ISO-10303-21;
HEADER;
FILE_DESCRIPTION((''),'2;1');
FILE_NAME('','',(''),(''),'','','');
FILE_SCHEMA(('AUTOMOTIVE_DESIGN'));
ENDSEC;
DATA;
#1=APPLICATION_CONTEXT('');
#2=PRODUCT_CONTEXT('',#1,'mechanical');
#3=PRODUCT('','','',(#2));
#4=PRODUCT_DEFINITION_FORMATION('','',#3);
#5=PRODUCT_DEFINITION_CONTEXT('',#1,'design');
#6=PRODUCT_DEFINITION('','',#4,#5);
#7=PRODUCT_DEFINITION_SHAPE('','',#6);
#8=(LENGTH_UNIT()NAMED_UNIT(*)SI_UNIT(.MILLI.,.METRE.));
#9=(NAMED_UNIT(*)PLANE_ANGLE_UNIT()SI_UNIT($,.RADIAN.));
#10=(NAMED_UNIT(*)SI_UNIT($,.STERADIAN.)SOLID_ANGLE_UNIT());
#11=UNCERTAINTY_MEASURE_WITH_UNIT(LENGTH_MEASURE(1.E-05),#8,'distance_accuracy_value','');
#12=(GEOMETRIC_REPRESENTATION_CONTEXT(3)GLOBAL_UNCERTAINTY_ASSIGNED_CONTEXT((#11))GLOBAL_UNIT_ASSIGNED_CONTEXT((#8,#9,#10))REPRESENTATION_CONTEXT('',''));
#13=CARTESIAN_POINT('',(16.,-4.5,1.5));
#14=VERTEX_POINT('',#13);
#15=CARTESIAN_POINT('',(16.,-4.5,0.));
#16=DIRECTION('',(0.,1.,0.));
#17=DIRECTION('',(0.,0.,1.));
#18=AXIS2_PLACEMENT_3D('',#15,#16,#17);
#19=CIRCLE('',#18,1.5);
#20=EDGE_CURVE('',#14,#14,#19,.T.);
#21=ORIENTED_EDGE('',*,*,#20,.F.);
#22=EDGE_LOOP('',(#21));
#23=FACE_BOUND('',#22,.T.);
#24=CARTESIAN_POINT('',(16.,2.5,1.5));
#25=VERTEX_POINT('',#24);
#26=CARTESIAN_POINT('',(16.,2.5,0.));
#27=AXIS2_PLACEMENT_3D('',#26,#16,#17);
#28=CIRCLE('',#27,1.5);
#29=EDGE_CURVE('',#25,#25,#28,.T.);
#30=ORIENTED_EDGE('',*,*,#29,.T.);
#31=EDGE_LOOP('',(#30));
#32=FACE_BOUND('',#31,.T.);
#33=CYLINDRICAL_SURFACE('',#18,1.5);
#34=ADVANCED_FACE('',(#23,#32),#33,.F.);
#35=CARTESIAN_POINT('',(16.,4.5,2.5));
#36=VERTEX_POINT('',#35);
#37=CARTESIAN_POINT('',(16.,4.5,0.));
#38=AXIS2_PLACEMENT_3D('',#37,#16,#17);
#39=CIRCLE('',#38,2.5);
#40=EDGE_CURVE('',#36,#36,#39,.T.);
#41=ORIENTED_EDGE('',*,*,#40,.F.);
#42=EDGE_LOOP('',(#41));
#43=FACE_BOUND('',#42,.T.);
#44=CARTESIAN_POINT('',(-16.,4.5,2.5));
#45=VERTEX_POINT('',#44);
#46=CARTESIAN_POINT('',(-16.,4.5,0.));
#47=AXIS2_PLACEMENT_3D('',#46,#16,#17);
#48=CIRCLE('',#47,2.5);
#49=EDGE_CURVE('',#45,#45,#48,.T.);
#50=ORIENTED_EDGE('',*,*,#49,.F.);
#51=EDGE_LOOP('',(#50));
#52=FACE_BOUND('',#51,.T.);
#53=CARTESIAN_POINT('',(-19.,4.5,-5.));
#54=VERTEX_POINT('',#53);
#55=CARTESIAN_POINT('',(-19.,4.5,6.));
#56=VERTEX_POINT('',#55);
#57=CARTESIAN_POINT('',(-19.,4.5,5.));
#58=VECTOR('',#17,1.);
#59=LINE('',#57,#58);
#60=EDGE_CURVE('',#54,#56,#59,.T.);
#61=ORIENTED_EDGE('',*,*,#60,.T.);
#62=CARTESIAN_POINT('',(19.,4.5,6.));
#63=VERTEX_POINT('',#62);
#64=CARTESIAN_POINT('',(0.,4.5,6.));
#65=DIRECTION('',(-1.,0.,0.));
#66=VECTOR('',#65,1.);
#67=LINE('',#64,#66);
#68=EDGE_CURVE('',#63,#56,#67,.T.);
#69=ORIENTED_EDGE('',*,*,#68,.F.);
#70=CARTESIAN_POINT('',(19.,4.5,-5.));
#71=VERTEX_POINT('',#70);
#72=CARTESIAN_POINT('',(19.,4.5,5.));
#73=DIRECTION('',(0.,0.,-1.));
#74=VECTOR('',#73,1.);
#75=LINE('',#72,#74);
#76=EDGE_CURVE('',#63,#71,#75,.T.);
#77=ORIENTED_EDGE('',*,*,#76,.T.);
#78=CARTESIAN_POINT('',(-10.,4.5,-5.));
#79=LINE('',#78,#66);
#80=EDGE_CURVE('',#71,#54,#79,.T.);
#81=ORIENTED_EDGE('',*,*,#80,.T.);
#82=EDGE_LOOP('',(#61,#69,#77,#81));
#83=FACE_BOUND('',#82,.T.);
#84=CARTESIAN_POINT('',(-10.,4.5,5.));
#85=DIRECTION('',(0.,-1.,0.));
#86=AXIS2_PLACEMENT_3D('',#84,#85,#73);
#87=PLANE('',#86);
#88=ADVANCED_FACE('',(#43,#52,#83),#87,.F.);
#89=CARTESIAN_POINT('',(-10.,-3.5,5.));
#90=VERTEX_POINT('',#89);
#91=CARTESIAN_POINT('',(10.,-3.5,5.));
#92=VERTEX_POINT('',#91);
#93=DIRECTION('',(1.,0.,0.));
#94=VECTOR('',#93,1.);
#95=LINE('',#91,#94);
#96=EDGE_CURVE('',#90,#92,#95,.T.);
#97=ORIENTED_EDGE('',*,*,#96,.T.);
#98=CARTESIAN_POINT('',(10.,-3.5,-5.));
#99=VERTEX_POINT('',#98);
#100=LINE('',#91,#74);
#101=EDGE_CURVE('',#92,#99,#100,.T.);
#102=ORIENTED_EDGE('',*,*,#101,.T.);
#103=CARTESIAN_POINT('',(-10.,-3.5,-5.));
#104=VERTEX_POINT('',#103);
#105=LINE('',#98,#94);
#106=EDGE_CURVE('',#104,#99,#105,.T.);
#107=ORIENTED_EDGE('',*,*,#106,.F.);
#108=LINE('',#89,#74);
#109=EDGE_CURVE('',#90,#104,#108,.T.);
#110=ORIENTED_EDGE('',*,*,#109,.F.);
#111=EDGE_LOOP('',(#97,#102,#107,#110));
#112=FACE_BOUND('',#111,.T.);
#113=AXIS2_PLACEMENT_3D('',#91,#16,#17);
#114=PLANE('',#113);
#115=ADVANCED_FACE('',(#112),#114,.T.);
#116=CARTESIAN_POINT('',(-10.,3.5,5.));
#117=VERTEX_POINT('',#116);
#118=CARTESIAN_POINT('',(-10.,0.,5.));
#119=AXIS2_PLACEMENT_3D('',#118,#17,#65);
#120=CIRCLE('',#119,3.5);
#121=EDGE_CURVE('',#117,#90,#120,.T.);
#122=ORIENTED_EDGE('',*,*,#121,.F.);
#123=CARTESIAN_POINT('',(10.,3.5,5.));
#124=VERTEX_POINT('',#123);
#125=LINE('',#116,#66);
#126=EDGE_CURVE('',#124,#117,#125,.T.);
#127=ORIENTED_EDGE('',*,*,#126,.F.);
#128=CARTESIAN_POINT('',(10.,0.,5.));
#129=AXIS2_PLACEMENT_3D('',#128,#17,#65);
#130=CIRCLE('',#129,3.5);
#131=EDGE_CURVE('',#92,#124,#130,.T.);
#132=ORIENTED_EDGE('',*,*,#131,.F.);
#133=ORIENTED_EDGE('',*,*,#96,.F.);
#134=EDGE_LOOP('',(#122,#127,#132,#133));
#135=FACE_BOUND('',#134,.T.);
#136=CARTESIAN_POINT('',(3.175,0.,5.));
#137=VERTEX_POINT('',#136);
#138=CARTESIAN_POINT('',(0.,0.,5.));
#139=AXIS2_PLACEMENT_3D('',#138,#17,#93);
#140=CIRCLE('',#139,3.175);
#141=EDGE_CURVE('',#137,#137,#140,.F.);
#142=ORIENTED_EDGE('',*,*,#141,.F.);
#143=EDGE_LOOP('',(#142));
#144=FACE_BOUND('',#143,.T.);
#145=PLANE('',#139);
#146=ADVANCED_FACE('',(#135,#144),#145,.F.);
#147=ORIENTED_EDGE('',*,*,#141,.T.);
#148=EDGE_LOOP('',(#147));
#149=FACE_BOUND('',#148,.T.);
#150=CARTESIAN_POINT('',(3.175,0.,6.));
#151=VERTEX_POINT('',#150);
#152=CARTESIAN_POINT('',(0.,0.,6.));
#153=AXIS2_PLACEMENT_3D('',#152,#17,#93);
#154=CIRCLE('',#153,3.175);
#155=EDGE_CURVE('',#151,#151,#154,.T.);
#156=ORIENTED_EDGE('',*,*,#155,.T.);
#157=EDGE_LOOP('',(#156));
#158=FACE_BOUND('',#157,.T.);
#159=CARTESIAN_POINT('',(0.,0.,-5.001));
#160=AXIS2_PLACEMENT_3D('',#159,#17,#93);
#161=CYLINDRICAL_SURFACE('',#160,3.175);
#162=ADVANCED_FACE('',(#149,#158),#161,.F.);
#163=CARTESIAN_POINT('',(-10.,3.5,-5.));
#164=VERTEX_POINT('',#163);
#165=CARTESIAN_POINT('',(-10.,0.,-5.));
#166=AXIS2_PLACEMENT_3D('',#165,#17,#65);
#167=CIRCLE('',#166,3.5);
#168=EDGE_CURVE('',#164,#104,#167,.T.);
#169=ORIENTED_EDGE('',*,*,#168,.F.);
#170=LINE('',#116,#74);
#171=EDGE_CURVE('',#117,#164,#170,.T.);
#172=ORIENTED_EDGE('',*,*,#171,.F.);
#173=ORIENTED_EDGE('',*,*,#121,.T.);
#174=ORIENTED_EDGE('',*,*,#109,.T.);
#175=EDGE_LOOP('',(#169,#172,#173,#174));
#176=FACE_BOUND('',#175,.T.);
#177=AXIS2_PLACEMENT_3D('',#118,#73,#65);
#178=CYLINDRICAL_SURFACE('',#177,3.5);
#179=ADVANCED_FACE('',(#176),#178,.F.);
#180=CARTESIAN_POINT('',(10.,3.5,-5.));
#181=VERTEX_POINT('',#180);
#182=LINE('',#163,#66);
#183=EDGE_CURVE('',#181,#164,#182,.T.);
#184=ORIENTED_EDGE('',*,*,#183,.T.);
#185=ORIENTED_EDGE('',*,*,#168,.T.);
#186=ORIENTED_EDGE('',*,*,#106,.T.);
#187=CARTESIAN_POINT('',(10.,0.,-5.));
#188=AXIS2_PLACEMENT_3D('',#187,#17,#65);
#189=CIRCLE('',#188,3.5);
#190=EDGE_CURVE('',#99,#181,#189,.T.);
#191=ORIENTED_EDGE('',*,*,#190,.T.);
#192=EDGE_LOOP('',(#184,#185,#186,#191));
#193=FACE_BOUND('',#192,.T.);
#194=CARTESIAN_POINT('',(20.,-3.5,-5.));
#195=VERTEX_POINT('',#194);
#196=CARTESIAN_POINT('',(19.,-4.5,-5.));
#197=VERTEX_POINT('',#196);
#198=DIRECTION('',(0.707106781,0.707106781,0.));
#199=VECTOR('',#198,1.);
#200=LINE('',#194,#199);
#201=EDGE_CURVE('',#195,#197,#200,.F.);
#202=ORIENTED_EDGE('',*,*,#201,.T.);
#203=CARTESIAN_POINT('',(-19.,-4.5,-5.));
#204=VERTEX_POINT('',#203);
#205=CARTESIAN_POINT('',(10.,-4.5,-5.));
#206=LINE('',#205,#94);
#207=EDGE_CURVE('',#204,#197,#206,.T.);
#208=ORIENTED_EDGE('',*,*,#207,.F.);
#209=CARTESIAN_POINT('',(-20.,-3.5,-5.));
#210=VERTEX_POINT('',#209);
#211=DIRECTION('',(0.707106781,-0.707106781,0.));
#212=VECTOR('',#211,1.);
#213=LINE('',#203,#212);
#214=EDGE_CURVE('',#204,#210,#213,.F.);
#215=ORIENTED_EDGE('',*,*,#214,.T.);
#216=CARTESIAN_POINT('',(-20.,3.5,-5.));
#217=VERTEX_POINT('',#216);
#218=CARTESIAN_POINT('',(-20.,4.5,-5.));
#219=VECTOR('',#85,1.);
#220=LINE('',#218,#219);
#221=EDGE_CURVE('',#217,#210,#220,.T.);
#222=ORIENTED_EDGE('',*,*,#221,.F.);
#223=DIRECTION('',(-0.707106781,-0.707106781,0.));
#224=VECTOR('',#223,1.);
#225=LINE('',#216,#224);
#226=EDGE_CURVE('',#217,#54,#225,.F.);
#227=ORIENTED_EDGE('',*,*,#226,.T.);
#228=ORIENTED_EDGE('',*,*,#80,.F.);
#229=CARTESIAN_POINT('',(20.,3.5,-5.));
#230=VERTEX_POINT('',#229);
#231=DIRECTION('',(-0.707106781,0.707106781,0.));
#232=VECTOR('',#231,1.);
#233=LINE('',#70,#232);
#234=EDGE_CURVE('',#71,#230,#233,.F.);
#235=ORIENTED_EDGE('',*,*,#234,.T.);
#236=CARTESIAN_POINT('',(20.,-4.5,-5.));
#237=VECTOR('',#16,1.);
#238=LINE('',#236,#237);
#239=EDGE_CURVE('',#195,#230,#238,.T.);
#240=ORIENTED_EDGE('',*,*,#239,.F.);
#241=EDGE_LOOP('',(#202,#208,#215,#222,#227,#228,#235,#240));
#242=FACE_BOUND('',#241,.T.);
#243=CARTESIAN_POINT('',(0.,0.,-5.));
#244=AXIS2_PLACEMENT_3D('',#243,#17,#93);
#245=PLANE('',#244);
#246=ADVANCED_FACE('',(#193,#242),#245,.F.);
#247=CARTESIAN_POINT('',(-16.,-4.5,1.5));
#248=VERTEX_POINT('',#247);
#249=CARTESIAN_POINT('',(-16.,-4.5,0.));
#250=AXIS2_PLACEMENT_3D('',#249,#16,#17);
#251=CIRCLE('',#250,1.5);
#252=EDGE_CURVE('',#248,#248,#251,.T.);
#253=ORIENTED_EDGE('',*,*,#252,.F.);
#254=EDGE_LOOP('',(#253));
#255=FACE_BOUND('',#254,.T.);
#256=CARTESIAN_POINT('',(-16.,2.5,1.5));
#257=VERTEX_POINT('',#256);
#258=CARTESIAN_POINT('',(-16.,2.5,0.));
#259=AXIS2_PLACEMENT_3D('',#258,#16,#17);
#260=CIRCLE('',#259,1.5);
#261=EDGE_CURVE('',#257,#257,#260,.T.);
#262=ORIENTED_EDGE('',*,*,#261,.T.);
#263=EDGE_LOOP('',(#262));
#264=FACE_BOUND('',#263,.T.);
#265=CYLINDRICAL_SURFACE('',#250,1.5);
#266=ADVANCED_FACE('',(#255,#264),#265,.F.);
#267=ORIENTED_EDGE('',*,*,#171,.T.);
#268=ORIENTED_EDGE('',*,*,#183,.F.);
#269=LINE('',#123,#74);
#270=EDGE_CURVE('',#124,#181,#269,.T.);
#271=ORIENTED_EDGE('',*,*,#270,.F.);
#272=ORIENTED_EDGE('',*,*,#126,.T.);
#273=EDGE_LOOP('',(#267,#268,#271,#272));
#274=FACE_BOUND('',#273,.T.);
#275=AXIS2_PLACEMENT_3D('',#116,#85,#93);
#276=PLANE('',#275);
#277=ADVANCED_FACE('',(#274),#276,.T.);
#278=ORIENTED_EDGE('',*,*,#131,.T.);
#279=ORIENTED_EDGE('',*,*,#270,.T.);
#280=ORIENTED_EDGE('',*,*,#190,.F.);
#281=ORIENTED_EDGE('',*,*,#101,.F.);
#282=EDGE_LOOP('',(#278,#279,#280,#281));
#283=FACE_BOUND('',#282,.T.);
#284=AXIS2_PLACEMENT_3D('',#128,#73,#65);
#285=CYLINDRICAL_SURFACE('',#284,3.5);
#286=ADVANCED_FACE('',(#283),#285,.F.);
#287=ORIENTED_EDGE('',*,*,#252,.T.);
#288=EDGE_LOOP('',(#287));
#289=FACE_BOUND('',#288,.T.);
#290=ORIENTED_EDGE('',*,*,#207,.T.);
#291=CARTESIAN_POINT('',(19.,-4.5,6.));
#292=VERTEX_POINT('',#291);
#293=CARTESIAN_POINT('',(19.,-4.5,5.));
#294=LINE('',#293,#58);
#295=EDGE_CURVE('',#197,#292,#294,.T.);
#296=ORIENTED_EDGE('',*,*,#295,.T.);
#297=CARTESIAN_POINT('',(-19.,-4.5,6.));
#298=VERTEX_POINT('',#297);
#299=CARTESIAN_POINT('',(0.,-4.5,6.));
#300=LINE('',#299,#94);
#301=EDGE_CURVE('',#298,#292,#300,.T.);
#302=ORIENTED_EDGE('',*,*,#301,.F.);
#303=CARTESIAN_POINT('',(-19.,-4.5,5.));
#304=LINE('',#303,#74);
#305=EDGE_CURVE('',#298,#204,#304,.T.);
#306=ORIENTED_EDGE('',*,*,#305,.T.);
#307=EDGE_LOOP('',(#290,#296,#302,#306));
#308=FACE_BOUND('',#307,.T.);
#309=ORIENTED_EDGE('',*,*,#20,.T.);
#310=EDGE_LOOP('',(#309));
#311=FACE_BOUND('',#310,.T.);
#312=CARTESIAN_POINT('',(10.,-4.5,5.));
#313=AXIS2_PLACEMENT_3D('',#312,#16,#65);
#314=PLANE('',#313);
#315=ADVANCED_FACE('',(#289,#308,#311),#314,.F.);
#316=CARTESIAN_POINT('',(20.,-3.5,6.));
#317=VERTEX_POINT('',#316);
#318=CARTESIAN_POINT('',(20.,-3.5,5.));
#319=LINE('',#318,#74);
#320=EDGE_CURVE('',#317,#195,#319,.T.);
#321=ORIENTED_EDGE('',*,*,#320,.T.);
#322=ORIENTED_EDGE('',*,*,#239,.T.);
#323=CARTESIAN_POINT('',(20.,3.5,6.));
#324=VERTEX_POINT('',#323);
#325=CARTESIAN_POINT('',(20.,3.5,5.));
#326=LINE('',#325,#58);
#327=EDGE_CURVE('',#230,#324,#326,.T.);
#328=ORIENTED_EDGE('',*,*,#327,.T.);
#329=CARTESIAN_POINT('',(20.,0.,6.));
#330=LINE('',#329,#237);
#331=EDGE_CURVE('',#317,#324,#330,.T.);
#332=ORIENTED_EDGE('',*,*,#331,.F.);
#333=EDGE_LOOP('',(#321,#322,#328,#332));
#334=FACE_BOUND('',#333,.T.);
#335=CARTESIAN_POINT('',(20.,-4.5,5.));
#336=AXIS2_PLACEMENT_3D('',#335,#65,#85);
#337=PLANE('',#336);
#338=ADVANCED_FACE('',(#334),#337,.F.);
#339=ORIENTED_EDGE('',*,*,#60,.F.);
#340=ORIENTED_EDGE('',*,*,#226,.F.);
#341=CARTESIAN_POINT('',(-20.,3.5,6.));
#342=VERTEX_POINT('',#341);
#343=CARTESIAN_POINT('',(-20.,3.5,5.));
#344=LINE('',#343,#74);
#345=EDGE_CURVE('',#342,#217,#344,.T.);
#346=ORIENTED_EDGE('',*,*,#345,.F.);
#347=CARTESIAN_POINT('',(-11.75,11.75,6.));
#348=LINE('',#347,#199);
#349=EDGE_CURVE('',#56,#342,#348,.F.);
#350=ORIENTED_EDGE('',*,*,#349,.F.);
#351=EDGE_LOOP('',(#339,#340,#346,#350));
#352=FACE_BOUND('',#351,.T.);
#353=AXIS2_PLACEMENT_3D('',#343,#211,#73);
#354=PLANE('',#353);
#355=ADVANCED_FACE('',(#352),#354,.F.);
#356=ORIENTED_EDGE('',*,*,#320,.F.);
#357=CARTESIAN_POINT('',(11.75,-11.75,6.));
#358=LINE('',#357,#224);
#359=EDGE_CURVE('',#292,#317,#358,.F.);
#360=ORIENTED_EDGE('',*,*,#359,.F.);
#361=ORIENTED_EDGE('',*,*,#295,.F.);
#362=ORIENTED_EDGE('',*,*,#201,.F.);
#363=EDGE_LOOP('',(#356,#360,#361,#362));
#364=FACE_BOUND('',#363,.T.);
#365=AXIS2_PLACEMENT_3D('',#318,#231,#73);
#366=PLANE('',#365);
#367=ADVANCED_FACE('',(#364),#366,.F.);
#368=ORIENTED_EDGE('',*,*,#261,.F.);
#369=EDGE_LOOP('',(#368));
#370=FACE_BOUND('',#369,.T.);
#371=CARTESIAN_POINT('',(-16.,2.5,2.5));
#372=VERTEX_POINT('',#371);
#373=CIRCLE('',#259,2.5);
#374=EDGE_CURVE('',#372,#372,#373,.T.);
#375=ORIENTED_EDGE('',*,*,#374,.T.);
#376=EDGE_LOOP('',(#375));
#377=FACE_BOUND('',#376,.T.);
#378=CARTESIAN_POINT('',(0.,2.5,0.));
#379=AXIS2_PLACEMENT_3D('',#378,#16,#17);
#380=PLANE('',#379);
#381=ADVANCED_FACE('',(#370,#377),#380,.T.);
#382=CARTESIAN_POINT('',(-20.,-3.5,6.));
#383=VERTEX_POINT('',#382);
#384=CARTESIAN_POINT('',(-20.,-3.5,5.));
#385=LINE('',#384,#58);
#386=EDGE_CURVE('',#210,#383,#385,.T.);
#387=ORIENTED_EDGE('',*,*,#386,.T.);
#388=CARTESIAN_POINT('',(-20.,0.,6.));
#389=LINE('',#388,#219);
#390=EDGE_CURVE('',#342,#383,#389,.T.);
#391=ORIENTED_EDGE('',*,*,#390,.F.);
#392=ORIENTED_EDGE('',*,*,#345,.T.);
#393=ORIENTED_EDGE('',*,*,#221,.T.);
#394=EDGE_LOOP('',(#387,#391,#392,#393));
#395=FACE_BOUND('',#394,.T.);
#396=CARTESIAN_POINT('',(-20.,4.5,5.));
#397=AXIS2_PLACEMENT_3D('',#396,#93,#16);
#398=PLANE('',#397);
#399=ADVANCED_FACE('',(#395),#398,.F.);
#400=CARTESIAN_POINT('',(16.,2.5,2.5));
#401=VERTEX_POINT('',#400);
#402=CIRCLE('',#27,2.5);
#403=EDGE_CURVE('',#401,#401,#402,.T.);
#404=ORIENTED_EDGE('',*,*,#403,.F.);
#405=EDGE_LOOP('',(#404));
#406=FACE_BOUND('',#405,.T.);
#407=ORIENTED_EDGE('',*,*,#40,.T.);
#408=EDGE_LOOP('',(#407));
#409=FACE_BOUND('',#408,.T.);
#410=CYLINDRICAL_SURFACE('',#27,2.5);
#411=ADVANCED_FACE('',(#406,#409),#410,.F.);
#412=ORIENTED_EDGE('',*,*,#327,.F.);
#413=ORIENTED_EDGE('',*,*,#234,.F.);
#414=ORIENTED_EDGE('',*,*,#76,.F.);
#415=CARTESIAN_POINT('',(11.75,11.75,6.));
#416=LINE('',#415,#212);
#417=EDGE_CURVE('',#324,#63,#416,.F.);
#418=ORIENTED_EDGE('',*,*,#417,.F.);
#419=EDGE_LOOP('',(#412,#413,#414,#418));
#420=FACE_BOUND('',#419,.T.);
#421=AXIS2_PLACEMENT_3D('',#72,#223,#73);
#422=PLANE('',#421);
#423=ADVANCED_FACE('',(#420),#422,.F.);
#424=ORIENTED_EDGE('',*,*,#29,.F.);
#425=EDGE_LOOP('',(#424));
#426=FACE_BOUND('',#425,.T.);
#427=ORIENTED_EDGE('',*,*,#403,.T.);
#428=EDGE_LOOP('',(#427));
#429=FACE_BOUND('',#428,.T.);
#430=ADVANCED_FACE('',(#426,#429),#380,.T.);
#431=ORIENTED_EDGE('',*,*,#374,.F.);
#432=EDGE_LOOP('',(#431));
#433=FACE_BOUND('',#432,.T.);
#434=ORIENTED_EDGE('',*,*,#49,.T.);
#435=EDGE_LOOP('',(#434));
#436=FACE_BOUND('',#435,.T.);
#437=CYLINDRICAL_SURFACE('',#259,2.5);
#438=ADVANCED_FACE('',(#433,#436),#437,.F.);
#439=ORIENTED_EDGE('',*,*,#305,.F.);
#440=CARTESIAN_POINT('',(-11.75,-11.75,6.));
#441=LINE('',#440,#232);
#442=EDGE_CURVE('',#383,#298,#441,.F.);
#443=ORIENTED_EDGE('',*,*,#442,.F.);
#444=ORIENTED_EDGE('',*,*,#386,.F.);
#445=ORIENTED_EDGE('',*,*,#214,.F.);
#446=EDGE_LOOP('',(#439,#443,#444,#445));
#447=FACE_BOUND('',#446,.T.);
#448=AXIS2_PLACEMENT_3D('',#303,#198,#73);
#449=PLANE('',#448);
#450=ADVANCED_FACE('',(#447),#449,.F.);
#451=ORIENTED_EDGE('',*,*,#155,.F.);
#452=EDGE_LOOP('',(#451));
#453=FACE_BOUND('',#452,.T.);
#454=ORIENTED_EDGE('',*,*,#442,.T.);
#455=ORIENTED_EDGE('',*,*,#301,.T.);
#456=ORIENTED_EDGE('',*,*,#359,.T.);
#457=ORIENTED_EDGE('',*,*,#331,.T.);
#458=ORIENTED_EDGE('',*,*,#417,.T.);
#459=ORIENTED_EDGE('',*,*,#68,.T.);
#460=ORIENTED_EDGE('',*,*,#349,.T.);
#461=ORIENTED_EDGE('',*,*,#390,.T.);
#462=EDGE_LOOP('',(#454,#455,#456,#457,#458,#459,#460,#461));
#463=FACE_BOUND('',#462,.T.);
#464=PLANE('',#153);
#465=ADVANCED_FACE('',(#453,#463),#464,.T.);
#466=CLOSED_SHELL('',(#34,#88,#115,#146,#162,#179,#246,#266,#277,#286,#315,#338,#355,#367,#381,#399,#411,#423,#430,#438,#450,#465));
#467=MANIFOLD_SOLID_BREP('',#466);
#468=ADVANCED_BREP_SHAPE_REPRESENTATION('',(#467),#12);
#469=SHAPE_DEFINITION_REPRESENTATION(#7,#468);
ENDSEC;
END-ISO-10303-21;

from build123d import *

# Parameters (mm, degrees)
BOSS_EXTRUDE1_DEPTH = 5
BOSS_EXTRUDE2_START = 5
SKETCH2_2_W         = 40
SKETCH2_2_H         = 9
BOSS_EXTRUDE2_DEPTH = 1
CUT_EXTRUDE1_REACH  = 25.265
SKETCH3_R           = 3.175
SKETCH7_R           = 2.5
CUT_EXTRUDE2_DEPTH  = 2
SKETCH7_3_R         = 1.5
CUT_EXTRUDE3_DEPTH  = 23.737634002
CHAMFER1_SIZE       = 1


with BuildPart() as part:
    # Sketch2 → Boss-Extrude1 (new, symmetric)
    with BuildSketch(Plane.XY):
        Polygon((-10, 4.5), (10, 4.5), (20, 4.5), (20, -4.5), (10, -4.5), (-10, -4.5), (-20, -4.5), (-20, 4.5), align=None)
        with BuildLine():
            Line((-10, 3.5), (10, 3.5))
            ThreePointArc((10, 3.5), (13.5, 0), (10, -3.5))
            Line((10, -3.5), (-10, -3.5))
            ThreePointArc((-10, -3.5), (-13.5, 0), (-10, 3.5))
        make_face(mode=Mode.SUBTRACT)
    extrude(amount=BOSS_EXTRUDE1_DEPTH, both=True)

    # Sketch2<2> → Boss-Extrude2 (add)
    with BuildSketch(Plane.XY.offset(BOSS_EXTRUDE2_START)):
        Rectangle(SKETCH2_2_W, SKETCH2_2_H)
    extrude(amount=BOSS_EXTRUDE2_DEPTH)

    # Sketch3 → Cut-Extrude1 (cut, up to next)
    with BuildSketch(Plane.XY.offset(6), mode=Mode.PRIVATE) as cut_extrude1_sk1:
        Circle(SKETCH3_R)
    cut_extrude1_tool1 = extrude(cut_extrude1_sk1.sketch, amount=-CUT_EXTRUDE1_REACH, mode=Mode.PRIVATE) & part.part
    add(cut_extrude1_tool1.solids().sort_by_distance((0, 0, 6))[0], mode=Mode.SUBTRACT)

    # Sketch7 → Cut-Extrude2 (cut)
    with BuildSketch(Plane(origin=(0, 4.5, 0), x_dir=(1, 0, 0), z_dir=(0, 1, 0))):
        with Locations((-16, 0)):
            Circle(SKETCH7_R)
        with Locations((16, 0)):
            Circle(SKETCH7_R)
    extrude(amount=-CUT_EXTRUDE2_DEPTH, mode=Mode.SUBTRACT)

    # Sketch7<3> → Cut-Extrude3 (cut, through all)
    with BuildSketch(Plane(origin=(0, 4.5, 0), x_dir=(1, 0, 0), z_dir=(0, 1, 0))):
        with Locations((-16, 0)):
            Circle(SKETCH7_3_R)
        with Locations((16, 0)):
            Circle(SKETCH7_3_R)
    extrude(amount=-CUT_EXTRUDE3_DEPTH, mode=Mode.SUBTRACT)

    # Chamfer1
    chamfer1_edges = [part.edges().sort_by_distance(p)[0] for p in [
        (-20, -4.5, 0.5),
        (20, -4.5, 0.5),
        (20, 4.5, 0.5),
        (-20, 4.5, 0.5),
    ]]
    chamfer(chamfer1_edges, length=CHAMFER1_SIZE)


solid = part.part
